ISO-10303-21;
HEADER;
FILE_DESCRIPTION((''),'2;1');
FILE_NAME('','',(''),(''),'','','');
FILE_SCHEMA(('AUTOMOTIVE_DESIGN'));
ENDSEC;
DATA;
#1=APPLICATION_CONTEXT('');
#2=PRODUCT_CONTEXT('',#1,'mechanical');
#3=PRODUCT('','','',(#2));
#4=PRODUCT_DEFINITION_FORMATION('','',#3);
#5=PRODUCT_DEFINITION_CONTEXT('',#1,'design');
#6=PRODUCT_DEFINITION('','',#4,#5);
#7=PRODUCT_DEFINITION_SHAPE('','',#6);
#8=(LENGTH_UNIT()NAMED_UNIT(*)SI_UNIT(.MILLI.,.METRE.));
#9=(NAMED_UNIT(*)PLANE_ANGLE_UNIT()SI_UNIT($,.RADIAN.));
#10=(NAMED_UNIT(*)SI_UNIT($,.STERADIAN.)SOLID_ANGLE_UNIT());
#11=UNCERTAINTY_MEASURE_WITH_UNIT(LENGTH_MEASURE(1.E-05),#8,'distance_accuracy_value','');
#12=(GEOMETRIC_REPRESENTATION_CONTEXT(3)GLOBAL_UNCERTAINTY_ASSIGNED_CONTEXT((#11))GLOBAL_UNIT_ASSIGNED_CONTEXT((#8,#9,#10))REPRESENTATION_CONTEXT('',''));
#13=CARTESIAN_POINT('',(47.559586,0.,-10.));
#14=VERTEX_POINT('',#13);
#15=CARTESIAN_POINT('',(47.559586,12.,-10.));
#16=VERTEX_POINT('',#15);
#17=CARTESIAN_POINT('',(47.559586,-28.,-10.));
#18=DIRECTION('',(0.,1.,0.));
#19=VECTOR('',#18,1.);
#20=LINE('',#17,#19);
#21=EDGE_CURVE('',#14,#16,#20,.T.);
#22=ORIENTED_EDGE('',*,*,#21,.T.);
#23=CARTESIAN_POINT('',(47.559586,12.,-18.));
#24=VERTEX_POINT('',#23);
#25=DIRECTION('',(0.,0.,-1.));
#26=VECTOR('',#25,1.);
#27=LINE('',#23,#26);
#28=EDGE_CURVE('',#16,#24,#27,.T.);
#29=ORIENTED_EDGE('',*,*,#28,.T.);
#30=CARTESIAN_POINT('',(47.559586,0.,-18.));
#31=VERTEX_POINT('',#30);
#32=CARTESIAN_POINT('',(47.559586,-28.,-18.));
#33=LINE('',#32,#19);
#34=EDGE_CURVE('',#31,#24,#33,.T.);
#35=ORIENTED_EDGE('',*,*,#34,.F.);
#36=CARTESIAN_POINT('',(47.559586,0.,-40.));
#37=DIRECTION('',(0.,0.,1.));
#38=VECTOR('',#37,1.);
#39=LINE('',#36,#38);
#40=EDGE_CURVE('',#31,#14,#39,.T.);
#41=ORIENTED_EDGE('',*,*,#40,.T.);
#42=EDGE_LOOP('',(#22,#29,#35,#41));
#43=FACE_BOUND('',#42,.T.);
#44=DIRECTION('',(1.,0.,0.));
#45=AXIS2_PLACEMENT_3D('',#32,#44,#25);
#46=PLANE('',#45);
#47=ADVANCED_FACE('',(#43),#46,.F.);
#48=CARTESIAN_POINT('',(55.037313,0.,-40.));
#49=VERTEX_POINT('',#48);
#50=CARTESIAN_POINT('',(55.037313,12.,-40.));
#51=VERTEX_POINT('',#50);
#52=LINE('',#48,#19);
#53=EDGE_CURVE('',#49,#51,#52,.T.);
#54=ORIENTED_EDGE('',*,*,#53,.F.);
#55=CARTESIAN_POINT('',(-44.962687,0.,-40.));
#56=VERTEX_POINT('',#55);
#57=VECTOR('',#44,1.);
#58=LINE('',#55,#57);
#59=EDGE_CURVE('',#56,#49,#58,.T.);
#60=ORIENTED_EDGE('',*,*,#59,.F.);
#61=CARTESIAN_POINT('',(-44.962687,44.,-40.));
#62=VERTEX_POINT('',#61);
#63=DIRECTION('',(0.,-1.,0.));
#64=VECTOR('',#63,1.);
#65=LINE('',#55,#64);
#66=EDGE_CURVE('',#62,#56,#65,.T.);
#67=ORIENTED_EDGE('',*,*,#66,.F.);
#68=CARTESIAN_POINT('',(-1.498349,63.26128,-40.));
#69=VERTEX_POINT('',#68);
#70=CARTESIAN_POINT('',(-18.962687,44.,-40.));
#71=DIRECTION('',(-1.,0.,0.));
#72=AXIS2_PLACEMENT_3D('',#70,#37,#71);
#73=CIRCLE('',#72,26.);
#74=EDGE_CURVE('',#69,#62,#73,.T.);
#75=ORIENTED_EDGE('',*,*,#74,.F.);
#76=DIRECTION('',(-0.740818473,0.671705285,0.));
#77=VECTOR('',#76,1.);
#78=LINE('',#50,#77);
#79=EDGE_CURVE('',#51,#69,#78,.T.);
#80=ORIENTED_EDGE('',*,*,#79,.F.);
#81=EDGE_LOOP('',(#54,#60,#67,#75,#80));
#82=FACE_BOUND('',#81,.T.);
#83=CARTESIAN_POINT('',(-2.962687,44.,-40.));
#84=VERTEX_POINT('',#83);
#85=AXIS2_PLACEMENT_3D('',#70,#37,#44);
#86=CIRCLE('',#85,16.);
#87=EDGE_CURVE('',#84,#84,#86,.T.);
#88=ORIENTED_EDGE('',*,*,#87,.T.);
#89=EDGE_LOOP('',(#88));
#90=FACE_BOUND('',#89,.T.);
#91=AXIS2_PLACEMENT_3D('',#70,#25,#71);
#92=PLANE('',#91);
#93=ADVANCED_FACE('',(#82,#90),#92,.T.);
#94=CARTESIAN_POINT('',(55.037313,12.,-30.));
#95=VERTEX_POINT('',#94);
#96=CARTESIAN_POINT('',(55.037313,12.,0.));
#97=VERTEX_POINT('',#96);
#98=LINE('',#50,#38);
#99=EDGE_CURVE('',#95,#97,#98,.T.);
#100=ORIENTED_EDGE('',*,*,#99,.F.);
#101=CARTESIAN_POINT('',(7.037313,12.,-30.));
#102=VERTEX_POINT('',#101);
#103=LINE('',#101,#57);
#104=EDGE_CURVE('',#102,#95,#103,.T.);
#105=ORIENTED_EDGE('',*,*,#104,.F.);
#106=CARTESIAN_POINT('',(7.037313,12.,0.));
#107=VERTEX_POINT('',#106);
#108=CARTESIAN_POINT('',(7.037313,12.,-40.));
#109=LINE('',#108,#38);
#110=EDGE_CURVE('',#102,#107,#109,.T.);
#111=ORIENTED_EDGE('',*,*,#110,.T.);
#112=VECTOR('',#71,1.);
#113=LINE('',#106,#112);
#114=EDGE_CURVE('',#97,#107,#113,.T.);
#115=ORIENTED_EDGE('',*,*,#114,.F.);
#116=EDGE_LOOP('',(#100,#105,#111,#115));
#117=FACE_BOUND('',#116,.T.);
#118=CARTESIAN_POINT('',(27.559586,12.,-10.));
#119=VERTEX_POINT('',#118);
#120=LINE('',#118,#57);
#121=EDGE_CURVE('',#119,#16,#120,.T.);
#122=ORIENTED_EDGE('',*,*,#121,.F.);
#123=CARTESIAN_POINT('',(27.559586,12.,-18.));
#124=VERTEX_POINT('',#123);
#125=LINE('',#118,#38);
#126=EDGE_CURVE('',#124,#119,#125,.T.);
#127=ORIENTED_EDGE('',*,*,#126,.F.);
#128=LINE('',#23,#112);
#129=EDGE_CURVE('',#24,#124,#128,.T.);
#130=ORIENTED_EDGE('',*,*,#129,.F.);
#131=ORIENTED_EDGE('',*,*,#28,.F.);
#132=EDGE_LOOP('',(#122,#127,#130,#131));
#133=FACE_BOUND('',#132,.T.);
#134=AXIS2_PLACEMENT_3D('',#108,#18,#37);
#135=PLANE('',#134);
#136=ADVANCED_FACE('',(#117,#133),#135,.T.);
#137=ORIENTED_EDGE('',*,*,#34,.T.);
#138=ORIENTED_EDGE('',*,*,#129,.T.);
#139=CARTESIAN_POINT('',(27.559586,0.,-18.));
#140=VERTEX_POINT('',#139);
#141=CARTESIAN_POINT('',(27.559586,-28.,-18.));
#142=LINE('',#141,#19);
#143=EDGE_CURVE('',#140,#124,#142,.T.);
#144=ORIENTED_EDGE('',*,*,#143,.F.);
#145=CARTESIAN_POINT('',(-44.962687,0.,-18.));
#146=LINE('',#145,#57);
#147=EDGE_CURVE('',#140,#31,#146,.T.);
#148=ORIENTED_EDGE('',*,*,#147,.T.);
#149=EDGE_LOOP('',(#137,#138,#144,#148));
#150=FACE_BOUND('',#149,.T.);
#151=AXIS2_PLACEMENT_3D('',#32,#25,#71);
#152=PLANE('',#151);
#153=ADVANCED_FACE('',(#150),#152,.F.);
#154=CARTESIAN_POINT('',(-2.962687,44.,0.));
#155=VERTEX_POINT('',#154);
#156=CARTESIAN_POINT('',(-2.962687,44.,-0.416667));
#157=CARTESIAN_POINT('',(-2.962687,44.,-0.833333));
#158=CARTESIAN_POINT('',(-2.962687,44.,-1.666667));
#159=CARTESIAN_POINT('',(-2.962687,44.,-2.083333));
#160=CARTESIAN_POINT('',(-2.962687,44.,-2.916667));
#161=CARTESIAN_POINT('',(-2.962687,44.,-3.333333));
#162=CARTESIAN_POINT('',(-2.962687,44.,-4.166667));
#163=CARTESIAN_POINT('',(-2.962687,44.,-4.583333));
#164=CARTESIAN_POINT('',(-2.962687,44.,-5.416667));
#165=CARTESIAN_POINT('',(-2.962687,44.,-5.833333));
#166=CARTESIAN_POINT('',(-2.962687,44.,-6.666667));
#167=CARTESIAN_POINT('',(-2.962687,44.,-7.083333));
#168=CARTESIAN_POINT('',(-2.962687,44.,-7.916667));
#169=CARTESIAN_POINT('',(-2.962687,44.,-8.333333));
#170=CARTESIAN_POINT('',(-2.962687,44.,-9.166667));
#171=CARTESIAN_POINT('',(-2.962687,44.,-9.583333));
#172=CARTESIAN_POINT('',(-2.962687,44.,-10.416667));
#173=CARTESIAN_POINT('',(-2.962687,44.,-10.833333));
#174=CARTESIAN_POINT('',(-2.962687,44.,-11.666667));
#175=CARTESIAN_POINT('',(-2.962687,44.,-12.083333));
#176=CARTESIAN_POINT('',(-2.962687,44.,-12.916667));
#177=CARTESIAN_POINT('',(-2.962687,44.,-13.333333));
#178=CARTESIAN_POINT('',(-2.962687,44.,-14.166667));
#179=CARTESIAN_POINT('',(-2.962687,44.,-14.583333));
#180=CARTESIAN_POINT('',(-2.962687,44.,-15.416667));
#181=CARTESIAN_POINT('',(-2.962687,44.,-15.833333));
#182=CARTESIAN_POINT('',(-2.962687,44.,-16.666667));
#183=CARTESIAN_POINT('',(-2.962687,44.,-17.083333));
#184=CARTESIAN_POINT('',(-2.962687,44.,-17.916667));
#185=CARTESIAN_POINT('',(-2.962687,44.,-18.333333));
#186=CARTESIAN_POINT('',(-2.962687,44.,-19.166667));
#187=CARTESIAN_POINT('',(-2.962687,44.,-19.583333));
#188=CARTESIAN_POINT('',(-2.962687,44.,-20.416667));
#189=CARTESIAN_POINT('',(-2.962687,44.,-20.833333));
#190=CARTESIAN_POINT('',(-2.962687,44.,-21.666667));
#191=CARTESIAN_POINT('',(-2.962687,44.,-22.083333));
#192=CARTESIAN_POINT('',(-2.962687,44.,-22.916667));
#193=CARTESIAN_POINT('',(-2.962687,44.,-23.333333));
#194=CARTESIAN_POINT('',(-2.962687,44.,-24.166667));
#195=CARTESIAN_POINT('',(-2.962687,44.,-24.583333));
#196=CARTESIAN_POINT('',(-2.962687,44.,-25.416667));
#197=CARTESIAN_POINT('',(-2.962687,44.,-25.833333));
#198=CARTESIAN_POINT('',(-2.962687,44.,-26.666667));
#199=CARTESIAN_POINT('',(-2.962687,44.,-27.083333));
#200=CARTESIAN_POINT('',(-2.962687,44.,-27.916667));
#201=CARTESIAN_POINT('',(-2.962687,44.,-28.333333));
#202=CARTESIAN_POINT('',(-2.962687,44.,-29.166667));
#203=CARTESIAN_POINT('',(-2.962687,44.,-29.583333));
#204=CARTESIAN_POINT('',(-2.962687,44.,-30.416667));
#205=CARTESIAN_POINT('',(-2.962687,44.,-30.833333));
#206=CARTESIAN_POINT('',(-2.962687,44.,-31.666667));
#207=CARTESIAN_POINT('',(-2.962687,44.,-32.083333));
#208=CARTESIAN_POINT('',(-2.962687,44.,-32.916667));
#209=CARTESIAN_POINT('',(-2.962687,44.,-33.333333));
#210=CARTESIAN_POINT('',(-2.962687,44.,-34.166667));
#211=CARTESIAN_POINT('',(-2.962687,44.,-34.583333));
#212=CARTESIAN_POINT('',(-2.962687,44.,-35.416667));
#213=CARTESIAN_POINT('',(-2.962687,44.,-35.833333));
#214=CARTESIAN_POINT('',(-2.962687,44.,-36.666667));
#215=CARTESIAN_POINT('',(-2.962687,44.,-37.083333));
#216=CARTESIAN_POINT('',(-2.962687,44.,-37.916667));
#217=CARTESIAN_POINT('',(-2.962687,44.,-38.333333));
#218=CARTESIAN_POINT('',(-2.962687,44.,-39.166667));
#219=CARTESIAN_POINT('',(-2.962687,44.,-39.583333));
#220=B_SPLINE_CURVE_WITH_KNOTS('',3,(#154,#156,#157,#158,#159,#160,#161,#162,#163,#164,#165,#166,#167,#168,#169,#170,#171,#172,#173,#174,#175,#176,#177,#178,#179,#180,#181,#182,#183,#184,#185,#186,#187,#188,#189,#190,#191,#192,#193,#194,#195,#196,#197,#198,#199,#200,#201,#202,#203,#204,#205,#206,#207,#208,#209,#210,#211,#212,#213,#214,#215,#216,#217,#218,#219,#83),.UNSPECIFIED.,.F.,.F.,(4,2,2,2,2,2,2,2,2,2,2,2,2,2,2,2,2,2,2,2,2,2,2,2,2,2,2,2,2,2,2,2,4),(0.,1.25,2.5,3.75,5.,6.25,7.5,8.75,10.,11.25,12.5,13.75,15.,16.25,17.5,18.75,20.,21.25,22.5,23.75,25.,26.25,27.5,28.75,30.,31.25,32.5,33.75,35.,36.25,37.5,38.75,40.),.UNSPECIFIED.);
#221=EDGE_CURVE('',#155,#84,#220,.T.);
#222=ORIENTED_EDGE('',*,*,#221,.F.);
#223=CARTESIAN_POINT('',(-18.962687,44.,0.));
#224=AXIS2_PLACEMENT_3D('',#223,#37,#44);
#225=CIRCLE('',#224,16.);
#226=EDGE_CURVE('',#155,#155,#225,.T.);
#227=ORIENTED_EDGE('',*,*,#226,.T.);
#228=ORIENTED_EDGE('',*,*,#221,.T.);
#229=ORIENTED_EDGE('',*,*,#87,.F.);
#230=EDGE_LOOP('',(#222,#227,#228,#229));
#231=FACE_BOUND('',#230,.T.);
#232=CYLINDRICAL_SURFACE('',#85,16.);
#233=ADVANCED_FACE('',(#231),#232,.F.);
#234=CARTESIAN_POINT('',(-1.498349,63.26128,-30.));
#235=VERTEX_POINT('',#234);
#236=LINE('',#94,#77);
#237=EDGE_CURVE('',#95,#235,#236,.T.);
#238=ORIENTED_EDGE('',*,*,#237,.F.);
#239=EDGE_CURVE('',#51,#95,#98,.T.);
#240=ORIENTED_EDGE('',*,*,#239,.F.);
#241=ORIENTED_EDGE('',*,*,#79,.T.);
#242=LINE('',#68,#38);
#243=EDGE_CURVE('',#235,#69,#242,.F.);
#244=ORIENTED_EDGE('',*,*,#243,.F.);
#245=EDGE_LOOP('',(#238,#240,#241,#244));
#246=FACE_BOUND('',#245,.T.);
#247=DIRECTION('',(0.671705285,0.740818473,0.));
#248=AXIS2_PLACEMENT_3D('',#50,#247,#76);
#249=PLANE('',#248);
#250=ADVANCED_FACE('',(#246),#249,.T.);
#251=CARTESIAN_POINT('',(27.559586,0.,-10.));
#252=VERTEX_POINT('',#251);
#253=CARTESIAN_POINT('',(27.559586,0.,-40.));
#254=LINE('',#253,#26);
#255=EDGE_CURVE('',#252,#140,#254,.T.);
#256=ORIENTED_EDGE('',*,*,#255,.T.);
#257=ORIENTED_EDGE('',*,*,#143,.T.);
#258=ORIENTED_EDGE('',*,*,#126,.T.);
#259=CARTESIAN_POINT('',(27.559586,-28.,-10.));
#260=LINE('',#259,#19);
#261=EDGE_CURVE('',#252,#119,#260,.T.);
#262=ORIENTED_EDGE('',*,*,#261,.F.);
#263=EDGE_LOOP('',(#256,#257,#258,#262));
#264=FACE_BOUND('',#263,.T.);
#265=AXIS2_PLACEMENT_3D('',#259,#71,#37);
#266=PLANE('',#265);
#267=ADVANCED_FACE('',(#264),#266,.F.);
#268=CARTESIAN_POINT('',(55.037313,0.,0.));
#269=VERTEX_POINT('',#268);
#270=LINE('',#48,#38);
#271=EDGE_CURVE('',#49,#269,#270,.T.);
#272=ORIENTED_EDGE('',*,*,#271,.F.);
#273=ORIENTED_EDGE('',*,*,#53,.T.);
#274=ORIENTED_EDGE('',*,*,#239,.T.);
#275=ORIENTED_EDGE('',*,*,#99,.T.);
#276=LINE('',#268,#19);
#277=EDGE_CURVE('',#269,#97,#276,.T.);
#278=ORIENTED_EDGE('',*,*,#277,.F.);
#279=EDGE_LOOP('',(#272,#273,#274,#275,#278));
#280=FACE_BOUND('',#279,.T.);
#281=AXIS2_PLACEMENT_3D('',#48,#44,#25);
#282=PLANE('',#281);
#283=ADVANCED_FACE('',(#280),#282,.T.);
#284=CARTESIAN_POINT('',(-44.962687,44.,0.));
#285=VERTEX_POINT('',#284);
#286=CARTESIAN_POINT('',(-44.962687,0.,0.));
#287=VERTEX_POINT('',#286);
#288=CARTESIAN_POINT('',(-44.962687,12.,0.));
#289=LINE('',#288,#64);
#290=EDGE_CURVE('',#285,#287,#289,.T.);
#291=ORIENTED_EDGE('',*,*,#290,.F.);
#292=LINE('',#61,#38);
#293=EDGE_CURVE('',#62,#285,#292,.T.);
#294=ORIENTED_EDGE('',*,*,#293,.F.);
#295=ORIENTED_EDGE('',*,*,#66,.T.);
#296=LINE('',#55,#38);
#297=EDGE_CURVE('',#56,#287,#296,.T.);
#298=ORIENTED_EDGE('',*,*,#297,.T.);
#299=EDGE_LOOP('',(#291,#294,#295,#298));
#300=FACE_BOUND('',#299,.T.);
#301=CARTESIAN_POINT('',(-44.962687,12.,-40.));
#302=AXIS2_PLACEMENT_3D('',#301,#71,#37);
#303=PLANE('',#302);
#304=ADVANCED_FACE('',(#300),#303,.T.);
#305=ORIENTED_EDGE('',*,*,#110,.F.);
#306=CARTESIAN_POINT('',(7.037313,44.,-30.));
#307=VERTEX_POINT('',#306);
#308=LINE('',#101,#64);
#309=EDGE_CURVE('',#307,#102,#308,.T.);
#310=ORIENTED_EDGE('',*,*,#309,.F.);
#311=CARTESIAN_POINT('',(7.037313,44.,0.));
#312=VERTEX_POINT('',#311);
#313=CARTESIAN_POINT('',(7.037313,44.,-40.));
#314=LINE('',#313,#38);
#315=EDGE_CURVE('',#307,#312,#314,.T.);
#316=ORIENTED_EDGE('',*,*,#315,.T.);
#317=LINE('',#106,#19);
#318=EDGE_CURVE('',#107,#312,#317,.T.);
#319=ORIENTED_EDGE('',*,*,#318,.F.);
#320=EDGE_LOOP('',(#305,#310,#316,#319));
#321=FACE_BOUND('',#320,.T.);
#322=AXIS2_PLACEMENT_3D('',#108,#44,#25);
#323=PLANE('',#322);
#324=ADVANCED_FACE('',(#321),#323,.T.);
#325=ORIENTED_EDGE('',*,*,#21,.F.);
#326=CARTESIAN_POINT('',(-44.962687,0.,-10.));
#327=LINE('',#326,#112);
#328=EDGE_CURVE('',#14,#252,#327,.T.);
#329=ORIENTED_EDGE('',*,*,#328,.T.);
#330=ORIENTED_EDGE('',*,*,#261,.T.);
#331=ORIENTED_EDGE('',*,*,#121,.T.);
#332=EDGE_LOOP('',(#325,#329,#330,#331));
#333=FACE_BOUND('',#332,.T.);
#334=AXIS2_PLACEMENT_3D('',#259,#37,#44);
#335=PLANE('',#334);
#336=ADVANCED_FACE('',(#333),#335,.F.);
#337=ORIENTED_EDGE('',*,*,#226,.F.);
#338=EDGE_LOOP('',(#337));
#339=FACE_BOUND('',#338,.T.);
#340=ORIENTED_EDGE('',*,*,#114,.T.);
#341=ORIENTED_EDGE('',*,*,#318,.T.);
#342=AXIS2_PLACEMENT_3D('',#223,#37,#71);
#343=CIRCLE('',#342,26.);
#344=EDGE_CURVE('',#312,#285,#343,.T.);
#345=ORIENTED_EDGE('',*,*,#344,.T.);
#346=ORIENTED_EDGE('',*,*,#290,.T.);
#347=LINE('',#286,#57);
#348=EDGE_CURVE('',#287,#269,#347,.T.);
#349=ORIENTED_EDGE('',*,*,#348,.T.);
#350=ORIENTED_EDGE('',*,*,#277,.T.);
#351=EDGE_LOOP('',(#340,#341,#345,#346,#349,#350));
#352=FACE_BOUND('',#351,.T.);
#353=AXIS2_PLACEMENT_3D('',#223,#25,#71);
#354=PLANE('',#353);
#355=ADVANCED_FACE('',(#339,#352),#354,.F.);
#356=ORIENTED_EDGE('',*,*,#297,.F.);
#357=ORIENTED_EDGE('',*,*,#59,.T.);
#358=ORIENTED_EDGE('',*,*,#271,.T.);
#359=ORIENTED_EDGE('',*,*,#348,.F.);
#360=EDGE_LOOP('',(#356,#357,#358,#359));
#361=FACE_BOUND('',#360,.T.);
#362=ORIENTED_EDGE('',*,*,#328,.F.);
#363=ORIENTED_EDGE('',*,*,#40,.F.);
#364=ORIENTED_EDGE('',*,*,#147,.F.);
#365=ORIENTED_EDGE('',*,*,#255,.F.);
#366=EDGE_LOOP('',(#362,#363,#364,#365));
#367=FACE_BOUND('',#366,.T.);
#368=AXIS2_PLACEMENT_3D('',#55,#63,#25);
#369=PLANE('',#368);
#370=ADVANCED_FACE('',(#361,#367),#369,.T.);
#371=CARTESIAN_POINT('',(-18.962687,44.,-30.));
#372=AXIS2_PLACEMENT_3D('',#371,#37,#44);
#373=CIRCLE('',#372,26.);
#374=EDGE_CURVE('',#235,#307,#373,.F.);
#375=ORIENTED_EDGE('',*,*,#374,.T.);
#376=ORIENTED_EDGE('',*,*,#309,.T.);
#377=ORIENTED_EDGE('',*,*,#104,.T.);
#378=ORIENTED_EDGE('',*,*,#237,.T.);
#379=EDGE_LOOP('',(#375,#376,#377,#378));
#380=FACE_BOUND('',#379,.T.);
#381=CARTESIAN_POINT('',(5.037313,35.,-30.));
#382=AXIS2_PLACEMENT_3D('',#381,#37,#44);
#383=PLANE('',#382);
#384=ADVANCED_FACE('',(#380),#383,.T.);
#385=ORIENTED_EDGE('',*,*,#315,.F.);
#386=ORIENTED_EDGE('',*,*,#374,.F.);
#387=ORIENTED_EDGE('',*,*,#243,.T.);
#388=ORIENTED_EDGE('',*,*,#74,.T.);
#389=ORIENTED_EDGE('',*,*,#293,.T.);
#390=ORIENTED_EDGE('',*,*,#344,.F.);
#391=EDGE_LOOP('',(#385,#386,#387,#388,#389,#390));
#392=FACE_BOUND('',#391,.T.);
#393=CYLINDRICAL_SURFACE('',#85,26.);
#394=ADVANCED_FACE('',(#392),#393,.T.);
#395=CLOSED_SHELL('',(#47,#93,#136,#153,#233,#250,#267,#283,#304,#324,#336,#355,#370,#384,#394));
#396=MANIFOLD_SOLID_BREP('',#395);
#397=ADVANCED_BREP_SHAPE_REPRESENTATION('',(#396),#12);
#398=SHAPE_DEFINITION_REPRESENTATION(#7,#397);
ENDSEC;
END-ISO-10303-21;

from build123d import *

# Parameters (mm, degrees)
SKETCH1_R           = 16
BOSS_EXTRUDE1_DEPTH = 40
RIB1_REACH          = 99.617
SKETCH5_WALL_W      = 273.54941501
SKETCH5_WALL_H      = 10
SKETCH8_W           = 20
SKETCH8_H           = 8
CUT_EXTRUDE2_DEPTH  = 40


with BuildPart() as part:
    # Sketch1 → Boss-Extrude1 (new body)
    with BuildSketch(Plane.XY):
        with BuildLine():
            Line((-44.962686567, 12), (-44.962686567, 44))
            ThreePointArc((-44.962686567, 44), (-18.962686567, 70), (7.037313433, 44))
            Line((7.037313433, 44), (7.037313433, 12))
            Line((7.037313433, 12), (55.037313433, 12))
            Line((55.037313433, 12), (55.037313433, 0))
            Line((55.037313433, 0), (-44.962686567, 0))
            Line((-44.962686567, 0), (-44.962686567, 12))
        make_face()
        with Locations((-18.962686567, 44)):
            Circle(SKETCH1_R, mode=Mode.SUBTRACT)
    extrude(amount=-BOSS_EXTRUDE1_DEPTH)

    # Sketch5 wall → Rib1 (add, up to next)
    with BuildSketch(Plane(origin=(26.769481976, 37.630640297, -40), x_dir=(-0.740818472674, 0.671705285483, 0), z_dir=(-0.671705285483, -0.740818472674, 0)), mode=Mode.PRIVATE) as rib1_sk1:
        with Locations((0, -5)):
            Rectangle(SKETCH5_WALL_W, SKETCH5_WALL_H)
    rib1_tool1 = extrude(rib1_sk1.sketch, amount=RIB1_REACH, mode=Mode.PRIVATE) - part.part
    add(rib1_tool1.solids().sort_by_distance((26.769481976, 37.630640297, -40))[0])

    # Sketch8 → Cut-Extrude2 (cut)
    with BuildSketch(Plane(origin=(0, 12, 0), x_dir=(1, 0, 0), z_dir=(0, 1, 0))):
        with Locations((37.559585663, 14)):
            Rectangle(SKETCH8_W, SKETCH8_H)
    extrude(amount=-CUT_EXTRUDE2_DEPTH, mode=Mode.SUBTRACT)


solid = part.part
